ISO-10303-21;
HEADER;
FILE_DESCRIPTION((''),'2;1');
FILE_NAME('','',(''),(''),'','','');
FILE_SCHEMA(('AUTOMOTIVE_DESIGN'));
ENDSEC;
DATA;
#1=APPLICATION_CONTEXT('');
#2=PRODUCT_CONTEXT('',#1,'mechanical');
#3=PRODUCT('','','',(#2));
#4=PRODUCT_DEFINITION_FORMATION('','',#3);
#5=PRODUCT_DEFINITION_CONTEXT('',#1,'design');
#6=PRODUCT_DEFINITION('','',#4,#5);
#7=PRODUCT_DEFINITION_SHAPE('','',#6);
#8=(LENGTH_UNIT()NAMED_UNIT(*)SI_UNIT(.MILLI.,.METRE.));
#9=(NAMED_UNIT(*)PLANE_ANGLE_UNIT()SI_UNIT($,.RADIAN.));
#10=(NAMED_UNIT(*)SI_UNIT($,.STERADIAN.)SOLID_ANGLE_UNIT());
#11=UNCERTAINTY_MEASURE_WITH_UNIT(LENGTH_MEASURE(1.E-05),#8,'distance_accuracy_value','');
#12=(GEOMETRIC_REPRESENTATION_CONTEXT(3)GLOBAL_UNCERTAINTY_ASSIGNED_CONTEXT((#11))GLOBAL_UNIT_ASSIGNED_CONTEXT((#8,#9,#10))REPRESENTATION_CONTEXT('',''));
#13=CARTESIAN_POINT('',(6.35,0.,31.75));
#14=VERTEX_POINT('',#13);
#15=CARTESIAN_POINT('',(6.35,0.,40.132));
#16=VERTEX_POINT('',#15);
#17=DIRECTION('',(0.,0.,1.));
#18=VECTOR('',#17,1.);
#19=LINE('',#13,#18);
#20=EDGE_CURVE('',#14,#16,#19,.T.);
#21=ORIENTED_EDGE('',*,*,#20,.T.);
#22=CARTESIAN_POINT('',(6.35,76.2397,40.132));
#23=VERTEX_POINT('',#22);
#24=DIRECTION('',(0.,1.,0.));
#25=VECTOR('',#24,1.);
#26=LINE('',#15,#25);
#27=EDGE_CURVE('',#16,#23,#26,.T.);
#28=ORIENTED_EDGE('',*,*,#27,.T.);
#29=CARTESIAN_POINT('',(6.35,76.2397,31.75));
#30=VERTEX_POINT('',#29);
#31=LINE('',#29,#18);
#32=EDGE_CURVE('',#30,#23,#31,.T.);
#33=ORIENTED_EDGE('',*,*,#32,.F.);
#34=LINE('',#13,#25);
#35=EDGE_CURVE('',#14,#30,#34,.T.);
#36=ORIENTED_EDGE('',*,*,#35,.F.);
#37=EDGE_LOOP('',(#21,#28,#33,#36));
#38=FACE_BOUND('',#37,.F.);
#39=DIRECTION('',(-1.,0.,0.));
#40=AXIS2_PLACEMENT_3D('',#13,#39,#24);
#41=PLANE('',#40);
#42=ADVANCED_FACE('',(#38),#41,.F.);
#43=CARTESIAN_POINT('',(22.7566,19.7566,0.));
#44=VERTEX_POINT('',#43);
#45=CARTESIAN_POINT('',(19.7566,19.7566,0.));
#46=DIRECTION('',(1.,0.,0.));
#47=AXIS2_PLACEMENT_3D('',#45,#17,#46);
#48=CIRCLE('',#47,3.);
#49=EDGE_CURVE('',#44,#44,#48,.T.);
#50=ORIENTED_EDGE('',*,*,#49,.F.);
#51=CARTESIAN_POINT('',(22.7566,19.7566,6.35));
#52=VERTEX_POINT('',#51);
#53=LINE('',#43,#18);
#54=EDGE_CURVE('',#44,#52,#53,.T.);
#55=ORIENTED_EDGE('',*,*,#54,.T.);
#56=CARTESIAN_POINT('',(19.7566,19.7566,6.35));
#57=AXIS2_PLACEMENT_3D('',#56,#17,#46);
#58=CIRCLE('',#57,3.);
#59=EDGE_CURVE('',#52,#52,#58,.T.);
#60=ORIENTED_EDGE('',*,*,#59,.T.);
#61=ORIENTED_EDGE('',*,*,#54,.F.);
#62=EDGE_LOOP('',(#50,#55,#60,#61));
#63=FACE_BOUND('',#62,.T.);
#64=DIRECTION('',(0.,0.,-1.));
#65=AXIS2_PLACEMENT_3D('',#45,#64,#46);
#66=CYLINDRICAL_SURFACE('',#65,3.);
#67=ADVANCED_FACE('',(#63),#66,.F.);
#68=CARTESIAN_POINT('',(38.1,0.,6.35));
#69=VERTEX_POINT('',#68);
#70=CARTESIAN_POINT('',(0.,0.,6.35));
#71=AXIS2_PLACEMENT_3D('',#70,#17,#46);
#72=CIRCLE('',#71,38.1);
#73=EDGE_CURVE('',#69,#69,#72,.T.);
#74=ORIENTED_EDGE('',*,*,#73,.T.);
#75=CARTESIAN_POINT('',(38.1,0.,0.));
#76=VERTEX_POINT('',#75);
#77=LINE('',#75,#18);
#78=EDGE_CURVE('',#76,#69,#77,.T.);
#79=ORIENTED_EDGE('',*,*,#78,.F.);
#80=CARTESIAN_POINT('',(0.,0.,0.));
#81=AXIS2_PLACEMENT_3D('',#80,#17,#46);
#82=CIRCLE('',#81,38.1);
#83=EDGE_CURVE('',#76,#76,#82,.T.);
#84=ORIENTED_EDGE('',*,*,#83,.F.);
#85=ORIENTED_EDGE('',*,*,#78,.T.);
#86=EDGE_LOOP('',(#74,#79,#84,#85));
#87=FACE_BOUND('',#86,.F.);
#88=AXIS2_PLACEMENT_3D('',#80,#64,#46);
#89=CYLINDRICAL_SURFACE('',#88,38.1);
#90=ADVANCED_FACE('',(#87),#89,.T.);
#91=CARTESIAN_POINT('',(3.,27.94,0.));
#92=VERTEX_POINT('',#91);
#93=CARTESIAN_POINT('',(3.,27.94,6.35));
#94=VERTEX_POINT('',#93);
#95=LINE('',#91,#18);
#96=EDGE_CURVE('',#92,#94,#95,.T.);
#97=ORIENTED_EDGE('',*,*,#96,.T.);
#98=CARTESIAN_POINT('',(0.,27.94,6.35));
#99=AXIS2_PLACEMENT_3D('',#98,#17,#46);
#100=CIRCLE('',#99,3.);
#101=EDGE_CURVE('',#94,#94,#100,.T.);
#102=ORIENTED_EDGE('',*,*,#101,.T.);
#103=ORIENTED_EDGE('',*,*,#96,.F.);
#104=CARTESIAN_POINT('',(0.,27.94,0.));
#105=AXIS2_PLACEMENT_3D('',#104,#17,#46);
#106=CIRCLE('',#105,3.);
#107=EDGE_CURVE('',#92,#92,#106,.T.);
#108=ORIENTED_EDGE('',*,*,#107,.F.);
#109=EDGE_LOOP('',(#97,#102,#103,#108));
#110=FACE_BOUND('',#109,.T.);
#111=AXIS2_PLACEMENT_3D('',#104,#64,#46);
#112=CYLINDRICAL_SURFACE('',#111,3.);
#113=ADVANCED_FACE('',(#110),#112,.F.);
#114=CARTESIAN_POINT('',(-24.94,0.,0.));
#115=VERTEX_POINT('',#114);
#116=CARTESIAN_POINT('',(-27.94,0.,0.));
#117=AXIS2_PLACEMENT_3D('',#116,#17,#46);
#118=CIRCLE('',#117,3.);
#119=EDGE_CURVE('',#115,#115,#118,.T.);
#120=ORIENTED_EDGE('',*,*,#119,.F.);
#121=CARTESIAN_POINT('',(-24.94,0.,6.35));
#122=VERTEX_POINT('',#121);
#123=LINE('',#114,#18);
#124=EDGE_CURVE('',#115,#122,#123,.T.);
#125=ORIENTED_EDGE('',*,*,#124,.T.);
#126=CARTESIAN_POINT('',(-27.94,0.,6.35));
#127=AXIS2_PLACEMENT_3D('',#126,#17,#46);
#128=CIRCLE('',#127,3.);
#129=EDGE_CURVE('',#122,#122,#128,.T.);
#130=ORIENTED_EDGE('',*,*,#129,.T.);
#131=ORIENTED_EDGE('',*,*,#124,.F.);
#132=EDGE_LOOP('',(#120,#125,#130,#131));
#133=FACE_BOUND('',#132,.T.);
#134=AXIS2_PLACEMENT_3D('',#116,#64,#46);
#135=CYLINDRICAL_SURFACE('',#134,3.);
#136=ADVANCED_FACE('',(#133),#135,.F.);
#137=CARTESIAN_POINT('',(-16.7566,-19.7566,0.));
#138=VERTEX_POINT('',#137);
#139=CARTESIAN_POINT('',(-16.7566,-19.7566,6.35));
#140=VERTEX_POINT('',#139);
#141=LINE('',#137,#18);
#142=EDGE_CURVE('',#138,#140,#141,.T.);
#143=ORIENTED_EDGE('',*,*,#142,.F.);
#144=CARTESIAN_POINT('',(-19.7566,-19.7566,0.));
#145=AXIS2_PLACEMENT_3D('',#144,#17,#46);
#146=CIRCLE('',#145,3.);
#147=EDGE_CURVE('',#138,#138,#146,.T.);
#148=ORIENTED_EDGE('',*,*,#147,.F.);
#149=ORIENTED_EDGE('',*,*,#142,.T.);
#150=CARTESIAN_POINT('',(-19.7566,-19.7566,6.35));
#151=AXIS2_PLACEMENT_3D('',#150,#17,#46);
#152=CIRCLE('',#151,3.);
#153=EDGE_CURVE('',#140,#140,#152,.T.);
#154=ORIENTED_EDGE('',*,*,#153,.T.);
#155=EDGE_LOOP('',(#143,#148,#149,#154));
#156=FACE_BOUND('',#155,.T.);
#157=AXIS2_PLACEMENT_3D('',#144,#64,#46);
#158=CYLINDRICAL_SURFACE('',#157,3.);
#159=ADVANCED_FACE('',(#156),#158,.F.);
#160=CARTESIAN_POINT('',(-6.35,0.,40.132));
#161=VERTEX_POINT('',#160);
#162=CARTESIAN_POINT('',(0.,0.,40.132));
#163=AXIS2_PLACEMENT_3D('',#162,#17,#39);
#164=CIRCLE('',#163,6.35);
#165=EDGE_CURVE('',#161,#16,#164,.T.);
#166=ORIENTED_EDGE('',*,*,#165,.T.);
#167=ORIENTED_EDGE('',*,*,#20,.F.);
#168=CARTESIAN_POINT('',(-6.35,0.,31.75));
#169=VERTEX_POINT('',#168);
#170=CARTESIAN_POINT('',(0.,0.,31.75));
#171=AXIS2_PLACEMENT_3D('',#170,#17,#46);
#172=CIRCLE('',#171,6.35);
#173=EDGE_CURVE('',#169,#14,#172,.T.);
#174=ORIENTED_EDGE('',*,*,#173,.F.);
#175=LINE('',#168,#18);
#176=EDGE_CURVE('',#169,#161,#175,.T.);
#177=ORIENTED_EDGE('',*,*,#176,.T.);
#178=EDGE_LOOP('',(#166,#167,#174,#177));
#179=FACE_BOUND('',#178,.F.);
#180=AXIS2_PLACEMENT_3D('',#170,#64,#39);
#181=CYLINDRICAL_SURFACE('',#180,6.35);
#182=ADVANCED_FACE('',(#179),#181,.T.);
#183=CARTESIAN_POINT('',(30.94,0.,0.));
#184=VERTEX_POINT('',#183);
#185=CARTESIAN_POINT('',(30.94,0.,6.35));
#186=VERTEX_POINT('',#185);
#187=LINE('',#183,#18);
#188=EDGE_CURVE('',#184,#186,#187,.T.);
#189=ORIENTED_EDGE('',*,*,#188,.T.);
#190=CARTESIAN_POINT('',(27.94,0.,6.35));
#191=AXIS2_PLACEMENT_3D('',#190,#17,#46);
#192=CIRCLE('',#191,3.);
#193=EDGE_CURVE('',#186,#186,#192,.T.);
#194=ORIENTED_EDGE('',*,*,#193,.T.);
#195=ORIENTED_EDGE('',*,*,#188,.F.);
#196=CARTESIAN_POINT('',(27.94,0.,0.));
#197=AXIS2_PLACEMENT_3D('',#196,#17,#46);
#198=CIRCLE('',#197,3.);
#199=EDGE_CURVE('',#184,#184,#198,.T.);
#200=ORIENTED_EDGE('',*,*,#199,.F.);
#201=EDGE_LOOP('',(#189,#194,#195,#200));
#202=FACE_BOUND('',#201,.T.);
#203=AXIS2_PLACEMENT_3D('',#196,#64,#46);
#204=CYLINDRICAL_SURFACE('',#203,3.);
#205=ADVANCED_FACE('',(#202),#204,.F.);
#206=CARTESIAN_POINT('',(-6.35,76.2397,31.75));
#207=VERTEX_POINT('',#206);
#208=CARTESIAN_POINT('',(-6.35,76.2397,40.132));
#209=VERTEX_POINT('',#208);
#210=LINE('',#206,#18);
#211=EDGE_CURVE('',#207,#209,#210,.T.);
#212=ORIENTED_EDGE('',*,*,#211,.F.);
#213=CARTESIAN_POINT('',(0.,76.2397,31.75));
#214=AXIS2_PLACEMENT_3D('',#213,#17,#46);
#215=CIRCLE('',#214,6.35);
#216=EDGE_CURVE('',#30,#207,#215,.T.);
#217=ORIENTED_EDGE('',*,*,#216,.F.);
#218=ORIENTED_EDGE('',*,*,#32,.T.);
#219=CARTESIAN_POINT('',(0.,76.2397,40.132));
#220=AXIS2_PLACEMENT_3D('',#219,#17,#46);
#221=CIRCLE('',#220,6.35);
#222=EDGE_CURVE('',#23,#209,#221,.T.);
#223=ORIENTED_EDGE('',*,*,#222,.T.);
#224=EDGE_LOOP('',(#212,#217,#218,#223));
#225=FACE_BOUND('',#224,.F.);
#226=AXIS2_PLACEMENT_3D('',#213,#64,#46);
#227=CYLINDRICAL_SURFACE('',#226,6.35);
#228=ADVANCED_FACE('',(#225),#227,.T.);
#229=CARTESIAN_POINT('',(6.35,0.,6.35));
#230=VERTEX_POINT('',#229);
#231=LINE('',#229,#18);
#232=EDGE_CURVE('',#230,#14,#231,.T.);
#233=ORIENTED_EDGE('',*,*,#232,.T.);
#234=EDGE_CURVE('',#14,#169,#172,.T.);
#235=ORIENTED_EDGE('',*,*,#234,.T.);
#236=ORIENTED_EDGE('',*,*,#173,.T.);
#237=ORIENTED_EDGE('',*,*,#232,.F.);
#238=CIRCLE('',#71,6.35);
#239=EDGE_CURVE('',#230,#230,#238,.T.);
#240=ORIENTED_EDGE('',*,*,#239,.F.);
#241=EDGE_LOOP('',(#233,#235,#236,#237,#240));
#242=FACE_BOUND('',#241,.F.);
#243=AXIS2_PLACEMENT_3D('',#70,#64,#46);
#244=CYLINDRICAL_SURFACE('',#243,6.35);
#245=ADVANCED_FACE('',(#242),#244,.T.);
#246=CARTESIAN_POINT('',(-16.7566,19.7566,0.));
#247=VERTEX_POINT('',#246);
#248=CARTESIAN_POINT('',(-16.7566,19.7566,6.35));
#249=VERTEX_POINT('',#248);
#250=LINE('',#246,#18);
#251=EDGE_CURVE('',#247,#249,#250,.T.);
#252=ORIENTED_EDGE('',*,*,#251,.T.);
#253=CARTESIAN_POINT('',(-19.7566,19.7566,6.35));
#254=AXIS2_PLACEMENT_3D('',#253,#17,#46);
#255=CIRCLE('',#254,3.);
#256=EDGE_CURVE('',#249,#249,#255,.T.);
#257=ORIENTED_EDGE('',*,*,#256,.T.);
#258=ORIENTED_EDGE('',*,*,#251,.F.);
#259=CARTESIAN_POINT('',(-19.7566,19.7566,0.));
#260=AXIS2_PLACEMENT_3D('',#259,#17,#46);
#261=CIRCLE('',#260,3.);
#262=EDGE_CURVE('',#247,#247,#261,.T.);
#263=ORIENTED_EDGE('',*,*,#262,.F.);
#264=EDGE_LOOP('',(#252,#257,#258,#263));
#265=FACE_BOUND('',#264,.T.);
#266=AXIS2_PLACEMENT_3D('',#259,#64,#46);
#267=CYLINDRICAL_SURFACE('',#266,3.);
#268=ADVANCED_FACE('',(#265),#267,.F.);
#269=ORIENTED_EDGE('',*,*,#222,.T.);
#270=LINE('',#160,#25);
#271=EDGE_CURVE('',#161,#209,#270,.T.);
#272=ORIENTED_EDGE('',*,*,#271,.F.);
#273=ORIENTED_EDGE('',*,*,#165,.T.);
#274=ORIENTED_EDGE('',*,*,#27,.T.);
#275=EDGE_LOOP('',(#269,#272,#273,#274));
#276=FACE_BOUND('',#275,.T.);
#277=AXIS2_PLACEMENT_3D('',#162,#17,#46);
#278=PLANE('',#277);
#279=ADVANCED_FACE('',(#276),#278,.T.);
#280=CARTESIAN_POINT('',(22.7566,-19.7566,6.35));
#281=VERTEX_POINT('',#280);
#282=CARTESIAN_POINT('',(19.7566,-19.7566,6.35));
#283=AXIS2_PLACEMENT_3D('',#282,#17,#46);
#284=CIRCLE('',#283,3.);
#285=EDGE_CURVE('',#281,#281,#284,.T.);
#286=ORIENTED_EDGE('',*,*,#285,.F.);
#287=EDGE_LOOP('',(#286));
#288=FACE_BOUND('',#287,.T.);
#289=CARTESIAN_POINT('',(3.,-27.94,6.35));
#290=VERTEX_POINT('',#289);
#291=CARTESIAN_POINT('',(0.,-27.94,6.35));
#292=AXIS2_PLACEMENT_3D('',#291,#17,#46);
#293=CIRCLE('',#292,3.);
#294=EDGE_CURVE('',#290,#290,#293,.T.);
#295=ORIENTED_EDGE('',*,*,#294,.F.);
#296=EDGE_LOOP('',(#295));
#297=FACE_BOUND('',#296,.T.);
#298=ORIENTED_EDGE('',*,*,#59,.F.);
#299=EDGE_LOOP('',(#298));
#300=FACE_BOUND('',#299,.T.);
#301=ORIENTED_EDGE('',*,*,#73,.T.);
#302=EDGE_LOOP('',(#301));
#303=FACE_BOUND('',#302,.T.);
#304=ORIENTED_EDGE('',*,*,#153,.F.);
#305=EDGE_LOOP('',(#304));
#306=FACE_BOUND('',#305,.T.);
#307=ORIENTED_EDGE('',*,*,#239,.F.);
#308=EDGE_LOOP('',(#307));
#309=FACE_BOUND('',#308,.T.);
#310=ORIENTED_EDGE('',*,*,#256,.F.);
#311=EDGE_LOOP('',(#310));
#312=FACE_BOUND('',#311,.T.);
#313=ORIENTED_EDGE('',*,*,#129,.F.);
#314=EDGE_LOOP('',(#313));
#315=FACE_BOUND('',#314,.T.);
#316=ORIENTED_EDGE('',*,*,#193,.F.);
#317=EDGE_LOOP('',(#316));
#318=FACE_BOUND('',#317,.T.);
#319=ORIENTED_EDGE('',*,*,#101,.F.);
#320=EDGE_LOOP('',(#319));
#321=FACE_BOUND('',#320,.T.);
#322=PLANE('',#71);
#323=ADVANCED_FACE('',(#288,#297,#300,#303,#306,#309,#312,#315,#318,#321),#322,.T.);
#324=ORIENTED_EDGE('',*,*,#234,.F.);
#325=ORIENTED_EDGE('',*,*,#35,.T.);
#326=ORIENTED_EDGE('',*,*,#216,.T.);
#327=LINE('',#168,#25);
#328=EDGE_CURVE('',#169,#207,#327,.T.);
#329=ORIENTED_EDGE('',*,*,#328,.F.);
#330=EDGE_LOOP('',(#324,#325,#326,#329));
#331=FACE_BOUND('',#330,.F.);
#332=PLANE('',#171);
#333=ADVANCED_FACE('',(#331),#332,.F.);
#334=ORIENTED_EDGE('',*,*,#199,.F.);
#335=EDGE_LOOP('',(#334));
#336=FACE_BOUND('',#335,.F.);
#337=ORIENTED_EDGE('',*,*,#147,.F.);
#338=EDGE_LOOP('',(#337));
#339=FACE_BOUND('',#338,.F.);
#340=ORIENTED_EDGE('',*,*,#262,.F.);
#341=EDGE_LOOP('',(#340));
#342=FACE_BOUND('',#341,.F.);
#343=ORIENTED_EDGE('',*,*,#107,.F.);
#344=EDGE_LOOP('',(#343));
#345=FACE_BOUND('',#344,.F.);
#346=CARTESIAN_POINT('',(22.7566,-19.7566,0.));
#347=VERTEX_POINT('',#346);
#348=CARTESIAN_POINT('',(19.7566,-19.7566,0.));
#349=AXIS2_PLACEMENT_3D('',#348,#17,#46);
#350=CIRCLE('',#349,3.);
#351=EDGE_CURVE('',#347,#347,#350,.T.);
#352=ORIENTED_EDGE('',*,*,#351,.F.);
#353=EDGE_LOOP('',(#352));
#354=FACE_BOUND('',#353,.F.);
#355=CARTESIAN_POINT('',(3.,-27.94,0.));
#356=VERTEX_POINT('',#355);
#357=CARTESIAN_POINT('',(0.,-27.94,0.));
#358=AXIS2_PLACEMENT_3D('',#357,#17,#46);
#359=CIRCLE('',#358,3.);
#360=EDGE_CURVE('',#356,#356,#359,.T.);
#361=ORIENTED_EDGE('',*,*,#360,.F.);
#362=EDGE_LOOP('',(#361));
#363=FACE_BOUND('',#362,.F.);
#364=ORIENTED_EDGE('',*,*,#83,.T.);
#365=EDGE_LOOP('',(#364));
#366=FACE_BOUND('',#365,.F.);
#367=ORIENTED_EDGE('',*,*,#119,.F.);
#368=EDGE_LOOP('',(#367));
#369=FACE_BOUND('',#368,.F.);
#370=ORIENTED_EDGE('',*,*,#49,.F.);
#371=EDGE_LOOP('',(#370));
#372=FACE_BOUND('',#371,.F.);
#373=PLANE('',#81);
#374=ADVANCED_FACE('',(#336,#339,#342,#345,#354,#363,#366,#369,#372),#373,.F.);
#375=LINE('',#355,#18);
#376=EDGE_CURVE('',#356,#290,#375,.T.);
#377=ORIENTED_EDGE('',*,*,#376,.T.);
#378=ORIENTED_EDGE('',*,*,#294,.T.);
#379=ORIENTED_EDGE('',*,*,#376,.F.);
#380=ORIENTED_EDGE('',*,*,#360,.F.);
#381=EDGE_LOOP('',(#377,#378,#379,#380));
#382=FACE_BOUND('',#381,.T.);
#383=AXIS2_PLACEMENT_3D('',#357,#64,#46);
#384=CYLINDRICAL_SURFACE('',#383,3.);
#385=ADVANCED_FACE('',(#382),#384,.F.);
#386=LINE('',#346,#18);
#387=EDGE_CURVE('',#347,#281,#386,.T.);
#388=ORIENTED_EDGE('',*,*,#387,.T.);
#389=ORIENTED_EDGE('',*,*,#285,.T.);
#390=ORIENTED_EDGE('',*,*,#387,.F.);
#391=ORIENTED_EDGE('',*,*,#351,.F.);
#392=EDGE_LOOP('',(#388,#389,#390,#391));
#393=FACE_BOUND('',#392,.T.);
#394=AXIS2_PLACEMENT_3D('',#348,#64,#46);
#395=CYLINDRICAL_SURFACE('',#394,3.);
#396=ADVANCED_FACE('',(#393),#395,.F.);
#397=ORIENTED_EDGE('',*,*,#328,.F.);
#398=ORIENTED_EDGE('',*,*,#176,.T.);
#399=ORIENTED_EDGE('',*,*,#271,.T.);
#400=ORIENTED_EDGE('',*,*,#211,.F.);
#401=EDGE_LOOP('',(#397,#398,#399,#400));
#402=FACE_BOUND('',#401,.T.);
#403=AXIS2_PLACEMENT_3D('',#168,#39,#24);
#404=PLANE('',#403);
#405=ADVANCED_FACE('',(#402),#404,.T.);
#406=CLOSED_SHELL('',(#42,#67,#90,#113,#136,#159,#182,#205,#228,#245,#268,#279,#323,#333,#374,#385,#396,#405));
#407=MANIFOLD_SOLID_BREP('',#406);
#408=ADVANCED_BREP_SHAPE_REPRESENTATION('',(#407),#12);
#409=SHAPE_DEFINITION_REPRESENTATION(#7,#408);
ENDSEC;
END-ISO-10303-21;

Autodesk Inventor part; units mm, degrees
ref_plane "YZ Plane" through (0, 0, 0) normal (1, 0, 0) x (0, 1, 0)
ref_plane "XZ Plane" through (0, 0, 0) normal (0, 1, 0) x (-1, 0, 0)
ref_plane "XY Plane" through (0, 0, 0) normal (0, 0, 1) x (1, 0, 0)
sketch "Sketch1" plane through (0, 0, 0) normal (0, 0, 1) x (1, 0, 0)
  circle A0 centre (0, 0) radius 38.1
  circle A1 centre (0, 0) radius 27.94 construction
  circle A2 centre (0, 27.94) radius 3
  circle A3 centre (0, 0) radius 27.94 construction
  circle A4 centre (-19.7566, 19.7566) radius 3
  circle A5 centre (0, 0) radius 27.94 construction
  circle A6 centre (-27.94, 0) radius 3
  circle A7 centre (0, 0) radius 27.94 construction
  circle A8 centre (-19.7566, -19.7566) radius 3
  circle A9 centre (0, 0) radius 27.94 construction
  circle A10 centre (0, -27.94) radius 3
  circle A11 centre (0, 0) radius 27.94 construction
  circle A12 centre (19.7566, -19.7566) radius 3
  circle A13 centre (0, 0) radius 27.94 construction
  circle A14 centre (27.94, 0) radius 3
  circle A15 centre (0, 0) radius 27.94 construction
  circle A16 centre (19.7566, 19.7566) radius 3
  dimension "d1" = 55.88
  dimension "d0" = 76.2
  dimension "d2" = 6
  dimension "d5" = 360
extrude "Extrusion1" add sketch "Sketch1" along normal blind 6.35
sketch "Sketch2" plane through (0, 0, 6.35) normal (0, 0, 1) x (1, 0, 0)
  circle A0 centre (0, 0) radius 6.35
  dimension "d9" = 12.7
extrude "Extrusion2" add sketch "Sketch2" along normal blind 25.4
sketch "Sketch3" plane through (0, 0, 31.75) normal (0, 0, 1) x (1, 0, 0)
  arc A0 (-6.35, 0) -> (6.35, 0) centre (0, 0) ccw
  line L0 (6.35, 0) -> (6.35, 76.2397)
  line L1 (-6.35, 0) -> (-6.35, 76.2397)
  arc A1 (6.35, 76.2397) -> (-6.35, 76.2397) centre (0, 76.2397) ccw
extrude "Extrusion3" add sketch "Sketch3" along normal blind 8.382
properties part number "pin holder"
